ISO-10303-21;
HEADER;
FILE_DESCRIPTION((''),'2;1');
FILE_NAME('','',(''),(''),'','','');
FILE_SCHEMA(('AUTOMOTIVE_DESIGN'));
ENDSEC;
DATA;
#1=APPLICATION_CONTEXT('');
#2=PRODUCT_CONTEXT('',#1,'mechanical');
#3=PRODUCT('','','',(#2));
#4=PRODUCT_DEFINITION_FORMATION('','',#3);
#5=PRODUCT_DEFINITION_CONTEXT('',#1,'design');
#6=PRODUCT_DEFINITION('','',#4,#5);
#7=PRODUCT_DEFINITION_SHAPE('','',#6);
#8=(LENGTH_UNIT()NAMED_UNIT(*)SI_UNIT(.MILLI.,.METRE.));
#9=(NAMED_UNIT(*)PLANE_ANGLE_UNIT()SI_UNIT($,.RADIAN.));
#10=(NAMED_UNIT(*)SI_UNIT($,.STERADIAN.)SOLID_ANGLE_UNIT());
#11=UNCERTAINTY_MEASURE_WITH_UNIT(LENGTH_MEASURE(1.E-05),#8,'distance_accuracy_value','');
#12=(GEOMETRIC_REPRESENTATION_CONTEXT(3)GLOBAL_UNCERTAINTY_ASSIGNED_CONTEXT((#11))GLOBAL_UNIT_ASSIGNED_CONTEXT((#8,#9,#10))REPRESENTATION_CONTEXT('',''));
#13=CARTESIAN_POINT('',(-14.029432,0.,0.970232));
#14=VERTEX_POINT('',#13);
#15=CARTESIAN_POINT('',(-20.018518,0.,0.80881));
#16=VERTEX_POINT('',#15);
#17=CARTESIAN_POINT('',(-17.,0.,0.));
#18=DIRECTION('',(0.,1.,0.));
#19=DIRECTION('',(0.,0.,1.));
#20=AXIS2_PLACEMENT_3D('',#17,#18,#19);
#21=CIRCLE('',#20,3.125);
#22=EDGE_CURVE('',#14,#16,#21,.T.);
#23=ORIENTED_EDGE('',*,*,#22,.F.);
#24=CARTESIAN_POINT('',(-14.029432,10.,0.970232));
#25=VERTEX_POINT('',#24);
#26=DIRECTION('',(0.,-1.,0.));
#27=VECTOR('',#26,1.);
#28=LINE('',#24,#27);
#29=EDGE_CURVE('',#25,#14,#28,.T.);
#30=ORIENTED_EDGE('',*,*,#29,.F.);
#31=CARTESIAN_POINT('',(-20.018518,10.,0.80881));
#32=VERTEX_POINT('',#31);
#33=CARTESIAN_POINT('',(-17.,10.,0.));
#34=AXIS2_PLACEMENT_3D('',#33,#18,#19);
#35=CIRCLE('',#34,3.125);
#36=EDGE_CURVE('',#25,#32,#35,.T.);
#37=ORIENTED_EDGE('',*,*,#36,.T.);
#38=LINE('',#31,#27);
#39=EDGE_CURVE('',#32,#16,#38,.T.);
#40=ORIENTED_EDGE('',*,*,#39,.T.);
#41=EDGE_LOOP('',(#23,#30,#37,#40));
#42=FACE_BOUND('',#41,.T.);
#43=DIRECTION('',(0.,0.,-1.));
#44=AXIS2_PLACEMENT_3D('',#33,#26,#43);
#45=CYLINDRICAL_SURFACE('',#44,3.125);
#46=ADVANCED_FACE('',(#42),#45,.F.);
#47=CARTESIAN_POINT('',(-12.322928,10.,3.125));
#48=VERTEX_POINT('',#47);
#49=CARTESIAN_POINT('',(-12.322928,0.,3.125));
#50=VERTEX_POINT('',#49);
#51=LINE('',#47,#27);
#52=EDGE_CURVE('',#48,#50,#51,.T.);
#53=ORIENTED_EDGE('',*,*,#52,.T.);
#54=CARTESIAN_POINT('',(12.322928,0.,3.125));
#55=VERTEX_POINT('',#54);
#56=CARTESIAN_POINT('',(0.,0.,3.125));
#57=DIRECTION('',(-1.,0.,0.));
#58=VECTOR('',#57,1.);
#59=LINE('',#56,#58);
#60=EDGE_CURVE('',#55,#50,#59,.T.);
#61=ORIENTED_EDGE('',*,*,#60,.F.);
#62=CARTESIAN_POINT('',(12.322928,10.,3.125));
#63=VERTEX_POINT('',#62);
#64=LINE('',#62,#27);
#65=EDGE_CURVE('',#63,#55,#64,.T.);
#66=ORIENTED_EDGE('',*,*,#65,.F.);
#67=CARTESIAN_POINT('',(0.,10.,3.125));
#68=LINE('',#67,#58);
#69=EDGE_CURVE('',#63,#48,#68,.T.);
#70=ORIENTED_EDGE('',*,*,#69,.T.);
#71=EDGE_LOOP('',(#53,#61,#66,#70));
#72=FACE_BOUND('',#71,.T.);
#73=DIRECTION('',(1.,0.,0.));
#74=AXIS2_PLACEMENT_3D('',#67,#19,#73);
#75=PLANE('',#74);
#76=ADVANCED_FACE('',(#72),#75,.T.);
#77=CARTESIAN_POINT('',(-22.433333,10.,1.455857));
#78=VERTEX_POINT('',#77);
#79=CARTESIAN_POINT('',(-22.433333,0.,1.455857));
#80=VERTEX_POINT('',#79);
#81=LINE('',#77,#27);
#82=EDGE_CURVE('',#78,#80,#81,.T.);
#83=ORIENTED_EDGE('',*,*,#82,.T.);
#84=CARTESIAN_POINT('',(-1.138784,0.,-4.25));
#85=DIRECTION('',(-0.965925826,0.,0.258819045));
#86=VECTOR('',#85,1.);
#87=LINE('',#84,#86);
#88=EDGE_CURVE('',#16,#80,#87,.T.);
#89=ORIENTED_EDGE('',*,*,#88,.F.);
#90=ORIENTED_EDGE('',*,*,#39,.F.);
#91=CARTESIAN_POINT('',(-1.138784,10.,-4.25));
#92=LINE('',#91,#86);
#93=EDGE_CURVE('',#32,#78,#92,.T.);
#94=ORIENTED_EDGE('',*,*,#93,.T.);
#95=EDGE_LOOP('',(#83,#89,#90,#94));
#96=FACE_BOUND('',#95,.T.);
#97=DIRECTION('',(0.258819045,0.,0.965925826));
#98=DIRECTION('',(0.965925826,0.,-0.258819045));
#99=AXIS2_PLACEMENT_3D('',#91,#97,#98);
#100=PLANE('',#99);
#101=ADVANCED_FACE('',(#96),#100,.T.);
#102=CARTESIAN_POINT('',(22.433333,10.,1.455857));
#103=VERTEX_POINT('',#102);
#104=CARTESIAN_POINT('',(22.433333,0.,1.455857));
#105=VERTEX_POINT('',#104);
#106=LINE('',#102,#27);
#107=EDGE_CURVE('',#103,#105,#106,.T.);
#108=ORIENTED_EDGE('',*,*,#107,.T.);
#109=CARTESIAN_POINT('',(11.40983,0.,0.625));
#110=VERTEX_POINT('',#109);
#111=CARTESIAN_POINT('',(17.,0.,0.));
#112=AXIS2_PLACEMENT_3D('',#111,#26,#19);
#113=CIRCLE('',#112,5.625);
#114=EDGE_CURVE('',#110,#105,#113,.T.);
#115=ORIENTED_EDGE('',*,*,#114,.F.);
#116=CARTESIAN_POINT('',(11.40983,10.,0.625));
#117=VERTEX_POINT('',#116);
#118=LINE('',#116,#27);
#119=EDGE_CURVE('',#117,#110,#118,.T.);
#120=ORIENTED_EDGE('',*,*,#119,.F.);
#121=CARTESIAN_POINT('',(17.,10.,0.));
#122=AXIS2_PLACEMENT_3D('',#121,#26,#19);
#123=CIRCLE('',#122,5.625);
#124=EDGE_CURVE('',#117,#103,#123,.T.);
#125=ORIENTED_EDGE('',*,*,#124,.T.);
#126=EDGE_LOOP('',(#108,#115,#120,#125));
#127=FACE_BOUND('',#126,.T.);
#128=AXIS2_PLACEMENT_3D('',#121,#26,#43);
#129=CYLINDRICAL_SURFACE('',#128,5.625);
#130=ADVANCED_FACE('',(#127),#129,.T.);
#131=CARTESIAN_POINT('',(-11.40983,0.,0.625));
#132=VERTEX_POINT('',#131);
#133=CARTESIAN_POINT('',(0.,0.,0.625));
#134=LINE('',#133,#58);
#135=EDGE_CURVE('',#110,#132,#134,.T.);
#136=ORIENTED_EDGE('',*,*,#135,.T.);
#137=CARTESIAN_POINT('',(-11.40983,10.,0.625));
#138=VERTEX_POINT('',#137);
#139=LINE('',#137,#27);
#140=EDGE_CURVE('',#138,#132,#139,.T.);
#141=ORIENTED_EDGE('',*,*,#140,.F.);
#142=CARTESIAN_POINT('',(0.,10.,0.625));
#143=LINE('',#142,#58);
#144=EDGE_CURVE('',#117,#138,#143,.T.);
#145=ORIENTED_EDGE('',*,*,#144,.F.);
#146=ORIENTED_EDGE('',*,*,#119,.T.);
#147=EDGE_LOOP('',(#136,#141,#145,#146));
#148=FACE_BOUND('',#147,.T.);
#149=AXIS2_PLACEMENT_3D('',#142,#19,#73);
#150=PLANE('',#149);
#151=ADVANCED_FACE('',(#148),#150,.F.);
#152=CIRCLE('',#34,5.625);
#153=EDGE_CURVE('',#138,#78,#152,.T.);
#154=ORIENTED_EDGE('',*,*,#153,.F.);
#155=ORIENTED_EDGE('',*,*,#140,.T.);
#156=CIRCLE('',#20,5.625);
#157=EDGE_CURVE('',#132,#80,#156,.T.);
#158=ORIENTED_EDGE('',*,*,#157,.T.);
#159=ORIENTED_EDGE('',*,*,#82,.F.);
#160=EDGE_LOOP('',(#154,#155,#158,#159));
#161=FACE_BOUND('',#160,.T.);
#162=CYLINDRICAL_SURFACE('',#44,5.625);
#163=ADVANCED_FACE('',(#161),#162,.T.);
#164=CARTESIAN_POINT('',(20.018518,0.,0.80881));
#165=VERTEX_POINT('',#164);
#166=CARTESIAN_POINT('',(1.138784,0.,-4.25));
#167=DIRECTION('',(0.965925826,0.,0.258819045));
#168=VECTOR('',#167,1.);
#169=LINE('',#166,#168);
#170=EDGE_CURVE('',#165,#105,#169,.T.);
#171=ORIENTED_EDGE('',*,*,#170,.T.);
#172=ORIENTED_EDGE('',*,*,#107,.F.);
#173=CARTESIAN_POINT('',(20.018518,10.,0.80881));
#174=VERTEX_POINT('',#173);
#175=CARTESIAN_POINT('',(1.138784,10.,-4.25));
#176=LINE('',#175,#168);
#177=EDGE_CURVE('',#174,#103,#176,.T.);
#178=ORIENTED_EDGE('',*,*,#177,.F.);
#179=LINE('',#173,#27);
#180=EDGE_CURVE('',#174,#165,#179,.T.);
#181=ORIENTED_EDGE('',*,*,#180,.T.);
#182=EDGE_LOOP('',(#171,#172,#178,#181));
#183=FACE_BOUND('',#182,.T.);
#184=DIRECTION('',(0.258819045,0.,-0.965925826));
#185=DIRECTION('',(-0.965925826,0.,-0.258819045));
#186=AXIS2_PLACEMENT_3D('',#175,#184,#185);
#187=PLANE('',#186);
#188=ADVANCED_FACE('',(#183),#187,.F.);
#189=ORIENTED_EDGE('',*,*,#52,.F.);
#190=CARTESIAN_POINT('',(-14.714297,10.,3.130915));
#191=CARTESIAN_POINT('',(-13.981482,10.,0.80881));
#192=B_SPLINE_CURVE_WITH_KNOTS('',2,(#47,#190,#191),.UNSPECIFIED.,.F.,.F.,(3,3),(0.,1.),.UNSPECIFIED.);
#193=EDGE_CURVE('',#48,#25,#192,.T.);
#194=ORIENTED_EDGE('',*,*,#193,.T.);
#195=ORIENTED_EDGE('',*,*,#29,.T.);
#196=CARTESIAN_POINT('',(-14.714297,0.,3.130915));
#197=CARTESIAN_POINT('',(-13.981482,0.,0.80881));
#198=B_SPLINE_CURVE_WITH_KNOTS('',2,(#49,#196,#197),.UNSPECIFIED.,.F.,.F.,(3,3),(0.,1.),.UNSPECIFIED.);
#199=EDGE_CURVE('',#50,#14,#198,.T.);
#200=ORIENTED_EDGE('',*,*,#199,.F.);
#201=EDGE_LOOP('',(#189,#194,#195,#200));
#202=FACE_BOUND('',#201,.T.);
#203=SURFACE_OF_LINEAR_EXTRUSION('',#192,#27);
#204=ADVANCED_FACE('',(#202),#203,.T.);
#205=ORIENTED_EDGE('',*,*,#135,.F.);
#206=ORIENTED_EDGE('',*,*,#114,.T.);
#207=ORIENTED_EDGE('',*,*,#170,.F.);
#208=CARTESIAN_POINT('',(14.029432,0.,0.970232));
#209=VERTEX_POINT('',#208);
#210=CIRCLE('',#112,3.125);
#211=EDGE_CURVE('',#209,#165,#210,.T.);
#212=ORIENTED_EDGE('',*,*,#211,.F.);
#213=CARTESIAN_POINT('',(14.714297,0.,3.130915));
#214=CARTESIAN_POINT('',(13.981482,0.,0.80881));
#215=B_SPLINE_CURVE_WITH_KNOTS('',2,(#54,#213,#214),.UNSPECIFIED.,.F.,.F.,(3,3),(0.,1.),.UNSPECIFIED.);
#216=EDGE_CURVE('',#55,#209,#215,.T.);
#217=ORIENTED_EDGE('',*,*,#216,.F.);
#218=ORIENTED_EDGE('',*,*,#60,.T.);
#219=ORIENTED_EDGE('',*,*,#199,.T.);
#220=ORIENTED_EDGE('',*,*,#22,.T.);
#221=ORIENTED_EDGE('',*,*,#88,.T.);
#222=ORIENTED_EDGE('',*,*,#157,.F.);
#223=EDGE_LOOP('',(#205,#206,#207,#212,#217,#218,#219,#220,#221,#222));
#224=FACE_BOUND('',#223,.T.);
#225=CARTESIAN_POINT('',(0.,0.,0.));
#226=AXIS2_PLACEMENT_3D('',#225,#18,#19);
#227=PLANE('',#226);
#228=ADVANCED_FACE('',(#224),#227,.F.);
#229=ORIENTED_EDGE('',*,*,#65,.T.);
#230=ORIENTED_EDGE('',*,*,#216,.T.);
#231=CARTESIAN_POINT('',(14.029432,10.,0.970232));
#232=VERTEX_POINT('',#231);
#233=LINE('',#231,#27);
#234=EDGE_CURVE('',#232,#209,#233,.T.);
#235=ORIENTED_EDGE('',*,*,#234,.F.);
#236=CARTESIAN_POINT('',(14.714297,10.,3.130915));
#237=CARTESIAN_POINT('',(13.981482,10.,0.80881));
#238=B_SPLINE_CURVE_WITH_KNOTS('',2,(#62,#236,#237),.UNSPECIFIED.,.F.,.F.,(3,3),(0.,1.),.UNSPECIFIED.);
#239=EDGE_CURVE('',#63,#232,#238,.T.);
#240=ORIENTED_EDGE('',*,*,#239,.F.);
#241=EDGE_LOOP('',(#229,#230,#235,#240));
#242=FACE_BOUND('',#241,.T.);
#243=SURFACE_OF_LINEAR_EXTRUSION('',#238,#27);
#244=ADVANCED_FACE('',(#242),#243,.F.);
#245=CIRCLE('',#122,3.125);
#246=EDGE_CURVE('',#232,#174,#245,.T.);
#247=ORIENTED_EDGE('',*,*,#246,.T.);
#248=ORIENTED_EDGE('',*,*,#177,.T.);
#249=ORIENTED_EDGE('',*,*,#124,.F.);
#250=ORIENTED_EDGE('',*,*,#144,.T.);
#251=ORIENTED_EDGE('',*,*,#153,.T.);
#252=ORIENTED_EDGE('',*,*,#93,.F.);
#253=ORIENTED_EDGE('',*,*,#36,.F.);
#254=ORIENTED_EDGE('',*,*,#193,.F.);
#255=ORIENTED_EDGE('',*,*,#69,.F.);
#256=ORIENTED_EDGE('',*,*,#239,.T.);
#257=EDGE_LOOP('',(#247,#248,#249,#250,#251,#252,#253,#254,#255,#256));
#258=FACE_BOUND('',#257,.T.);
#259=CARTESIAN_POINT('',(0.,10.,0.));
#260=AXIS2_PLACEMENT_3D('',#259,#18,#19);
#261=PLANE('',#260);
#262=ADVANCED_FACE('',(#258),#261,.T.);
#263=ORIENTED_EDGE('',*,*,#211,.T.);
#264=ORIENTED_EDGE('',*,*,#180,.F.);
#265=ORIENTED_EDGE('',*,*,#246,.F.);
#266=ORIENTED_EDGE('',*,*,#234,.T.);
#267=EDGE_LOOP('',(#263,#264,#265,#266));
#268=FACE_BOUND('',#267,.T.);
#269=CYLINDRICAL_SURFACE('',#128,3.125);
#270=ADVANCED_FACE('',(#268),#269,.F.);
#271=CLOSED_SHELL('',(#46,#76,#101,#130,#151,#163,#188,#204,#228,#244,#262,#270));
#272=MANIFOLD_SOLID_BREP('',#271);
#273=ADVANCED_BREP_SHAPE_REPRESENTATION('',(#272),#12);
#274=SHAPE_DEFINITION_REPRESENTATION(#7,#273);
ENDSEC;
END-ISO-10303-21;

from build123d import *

# Parameters (mm, degrees)
BOSS_EXTRUDE1_DEPTH = 10


with BuildPart() as part:
    # Sketch1 → Boss-Extrude1 (new body)
    with BuildSketch(Plane(origin=(0, 0, 0), x_dir=(1, 0, 0), z_dir=(0, 1, 0))):
        with BuildLine():
            Line((-22.433332773, -1.455857129), (-20.018518207, -0.808809516))
            ThreePointArc((-20.018518207, -0.808809516), (-16.915803188, 3.123865538), (-14.029431878, -0.970231948))
            add(Edge.make_bspline(
                [(-12.322928267, -3.125), (-14.629677343, -3.130705569), (-14.029431878, -0.970231948)],
                knots=[0, 0, 0, 0.964614565, 0.964614565, 0.964614565], degree=2))
            Line((-12.322928267, -3.125), (0, -3.125))
            Line((0, -3.125), (0, -0.625))
            Line((0, -0.625), (-11.409830056, -0.625))
            ThreePointArc((-11.409830056, -0.625), (-17.422765144, 5.609090357), (-22.433332773, -1.455857129))
        make_face()
    boss_extrude1 = extrude(amount=BOSS_EXTRUDE1_DEPTH)

    # Mirror1: Boss-Extrude1 across plane
    add(boss_extrude1.mirror(Plane(origin=(0, 0, 0), x_dir=(0, 0, 1), z_dir=(1, 0, 0))))


solid = part.part
